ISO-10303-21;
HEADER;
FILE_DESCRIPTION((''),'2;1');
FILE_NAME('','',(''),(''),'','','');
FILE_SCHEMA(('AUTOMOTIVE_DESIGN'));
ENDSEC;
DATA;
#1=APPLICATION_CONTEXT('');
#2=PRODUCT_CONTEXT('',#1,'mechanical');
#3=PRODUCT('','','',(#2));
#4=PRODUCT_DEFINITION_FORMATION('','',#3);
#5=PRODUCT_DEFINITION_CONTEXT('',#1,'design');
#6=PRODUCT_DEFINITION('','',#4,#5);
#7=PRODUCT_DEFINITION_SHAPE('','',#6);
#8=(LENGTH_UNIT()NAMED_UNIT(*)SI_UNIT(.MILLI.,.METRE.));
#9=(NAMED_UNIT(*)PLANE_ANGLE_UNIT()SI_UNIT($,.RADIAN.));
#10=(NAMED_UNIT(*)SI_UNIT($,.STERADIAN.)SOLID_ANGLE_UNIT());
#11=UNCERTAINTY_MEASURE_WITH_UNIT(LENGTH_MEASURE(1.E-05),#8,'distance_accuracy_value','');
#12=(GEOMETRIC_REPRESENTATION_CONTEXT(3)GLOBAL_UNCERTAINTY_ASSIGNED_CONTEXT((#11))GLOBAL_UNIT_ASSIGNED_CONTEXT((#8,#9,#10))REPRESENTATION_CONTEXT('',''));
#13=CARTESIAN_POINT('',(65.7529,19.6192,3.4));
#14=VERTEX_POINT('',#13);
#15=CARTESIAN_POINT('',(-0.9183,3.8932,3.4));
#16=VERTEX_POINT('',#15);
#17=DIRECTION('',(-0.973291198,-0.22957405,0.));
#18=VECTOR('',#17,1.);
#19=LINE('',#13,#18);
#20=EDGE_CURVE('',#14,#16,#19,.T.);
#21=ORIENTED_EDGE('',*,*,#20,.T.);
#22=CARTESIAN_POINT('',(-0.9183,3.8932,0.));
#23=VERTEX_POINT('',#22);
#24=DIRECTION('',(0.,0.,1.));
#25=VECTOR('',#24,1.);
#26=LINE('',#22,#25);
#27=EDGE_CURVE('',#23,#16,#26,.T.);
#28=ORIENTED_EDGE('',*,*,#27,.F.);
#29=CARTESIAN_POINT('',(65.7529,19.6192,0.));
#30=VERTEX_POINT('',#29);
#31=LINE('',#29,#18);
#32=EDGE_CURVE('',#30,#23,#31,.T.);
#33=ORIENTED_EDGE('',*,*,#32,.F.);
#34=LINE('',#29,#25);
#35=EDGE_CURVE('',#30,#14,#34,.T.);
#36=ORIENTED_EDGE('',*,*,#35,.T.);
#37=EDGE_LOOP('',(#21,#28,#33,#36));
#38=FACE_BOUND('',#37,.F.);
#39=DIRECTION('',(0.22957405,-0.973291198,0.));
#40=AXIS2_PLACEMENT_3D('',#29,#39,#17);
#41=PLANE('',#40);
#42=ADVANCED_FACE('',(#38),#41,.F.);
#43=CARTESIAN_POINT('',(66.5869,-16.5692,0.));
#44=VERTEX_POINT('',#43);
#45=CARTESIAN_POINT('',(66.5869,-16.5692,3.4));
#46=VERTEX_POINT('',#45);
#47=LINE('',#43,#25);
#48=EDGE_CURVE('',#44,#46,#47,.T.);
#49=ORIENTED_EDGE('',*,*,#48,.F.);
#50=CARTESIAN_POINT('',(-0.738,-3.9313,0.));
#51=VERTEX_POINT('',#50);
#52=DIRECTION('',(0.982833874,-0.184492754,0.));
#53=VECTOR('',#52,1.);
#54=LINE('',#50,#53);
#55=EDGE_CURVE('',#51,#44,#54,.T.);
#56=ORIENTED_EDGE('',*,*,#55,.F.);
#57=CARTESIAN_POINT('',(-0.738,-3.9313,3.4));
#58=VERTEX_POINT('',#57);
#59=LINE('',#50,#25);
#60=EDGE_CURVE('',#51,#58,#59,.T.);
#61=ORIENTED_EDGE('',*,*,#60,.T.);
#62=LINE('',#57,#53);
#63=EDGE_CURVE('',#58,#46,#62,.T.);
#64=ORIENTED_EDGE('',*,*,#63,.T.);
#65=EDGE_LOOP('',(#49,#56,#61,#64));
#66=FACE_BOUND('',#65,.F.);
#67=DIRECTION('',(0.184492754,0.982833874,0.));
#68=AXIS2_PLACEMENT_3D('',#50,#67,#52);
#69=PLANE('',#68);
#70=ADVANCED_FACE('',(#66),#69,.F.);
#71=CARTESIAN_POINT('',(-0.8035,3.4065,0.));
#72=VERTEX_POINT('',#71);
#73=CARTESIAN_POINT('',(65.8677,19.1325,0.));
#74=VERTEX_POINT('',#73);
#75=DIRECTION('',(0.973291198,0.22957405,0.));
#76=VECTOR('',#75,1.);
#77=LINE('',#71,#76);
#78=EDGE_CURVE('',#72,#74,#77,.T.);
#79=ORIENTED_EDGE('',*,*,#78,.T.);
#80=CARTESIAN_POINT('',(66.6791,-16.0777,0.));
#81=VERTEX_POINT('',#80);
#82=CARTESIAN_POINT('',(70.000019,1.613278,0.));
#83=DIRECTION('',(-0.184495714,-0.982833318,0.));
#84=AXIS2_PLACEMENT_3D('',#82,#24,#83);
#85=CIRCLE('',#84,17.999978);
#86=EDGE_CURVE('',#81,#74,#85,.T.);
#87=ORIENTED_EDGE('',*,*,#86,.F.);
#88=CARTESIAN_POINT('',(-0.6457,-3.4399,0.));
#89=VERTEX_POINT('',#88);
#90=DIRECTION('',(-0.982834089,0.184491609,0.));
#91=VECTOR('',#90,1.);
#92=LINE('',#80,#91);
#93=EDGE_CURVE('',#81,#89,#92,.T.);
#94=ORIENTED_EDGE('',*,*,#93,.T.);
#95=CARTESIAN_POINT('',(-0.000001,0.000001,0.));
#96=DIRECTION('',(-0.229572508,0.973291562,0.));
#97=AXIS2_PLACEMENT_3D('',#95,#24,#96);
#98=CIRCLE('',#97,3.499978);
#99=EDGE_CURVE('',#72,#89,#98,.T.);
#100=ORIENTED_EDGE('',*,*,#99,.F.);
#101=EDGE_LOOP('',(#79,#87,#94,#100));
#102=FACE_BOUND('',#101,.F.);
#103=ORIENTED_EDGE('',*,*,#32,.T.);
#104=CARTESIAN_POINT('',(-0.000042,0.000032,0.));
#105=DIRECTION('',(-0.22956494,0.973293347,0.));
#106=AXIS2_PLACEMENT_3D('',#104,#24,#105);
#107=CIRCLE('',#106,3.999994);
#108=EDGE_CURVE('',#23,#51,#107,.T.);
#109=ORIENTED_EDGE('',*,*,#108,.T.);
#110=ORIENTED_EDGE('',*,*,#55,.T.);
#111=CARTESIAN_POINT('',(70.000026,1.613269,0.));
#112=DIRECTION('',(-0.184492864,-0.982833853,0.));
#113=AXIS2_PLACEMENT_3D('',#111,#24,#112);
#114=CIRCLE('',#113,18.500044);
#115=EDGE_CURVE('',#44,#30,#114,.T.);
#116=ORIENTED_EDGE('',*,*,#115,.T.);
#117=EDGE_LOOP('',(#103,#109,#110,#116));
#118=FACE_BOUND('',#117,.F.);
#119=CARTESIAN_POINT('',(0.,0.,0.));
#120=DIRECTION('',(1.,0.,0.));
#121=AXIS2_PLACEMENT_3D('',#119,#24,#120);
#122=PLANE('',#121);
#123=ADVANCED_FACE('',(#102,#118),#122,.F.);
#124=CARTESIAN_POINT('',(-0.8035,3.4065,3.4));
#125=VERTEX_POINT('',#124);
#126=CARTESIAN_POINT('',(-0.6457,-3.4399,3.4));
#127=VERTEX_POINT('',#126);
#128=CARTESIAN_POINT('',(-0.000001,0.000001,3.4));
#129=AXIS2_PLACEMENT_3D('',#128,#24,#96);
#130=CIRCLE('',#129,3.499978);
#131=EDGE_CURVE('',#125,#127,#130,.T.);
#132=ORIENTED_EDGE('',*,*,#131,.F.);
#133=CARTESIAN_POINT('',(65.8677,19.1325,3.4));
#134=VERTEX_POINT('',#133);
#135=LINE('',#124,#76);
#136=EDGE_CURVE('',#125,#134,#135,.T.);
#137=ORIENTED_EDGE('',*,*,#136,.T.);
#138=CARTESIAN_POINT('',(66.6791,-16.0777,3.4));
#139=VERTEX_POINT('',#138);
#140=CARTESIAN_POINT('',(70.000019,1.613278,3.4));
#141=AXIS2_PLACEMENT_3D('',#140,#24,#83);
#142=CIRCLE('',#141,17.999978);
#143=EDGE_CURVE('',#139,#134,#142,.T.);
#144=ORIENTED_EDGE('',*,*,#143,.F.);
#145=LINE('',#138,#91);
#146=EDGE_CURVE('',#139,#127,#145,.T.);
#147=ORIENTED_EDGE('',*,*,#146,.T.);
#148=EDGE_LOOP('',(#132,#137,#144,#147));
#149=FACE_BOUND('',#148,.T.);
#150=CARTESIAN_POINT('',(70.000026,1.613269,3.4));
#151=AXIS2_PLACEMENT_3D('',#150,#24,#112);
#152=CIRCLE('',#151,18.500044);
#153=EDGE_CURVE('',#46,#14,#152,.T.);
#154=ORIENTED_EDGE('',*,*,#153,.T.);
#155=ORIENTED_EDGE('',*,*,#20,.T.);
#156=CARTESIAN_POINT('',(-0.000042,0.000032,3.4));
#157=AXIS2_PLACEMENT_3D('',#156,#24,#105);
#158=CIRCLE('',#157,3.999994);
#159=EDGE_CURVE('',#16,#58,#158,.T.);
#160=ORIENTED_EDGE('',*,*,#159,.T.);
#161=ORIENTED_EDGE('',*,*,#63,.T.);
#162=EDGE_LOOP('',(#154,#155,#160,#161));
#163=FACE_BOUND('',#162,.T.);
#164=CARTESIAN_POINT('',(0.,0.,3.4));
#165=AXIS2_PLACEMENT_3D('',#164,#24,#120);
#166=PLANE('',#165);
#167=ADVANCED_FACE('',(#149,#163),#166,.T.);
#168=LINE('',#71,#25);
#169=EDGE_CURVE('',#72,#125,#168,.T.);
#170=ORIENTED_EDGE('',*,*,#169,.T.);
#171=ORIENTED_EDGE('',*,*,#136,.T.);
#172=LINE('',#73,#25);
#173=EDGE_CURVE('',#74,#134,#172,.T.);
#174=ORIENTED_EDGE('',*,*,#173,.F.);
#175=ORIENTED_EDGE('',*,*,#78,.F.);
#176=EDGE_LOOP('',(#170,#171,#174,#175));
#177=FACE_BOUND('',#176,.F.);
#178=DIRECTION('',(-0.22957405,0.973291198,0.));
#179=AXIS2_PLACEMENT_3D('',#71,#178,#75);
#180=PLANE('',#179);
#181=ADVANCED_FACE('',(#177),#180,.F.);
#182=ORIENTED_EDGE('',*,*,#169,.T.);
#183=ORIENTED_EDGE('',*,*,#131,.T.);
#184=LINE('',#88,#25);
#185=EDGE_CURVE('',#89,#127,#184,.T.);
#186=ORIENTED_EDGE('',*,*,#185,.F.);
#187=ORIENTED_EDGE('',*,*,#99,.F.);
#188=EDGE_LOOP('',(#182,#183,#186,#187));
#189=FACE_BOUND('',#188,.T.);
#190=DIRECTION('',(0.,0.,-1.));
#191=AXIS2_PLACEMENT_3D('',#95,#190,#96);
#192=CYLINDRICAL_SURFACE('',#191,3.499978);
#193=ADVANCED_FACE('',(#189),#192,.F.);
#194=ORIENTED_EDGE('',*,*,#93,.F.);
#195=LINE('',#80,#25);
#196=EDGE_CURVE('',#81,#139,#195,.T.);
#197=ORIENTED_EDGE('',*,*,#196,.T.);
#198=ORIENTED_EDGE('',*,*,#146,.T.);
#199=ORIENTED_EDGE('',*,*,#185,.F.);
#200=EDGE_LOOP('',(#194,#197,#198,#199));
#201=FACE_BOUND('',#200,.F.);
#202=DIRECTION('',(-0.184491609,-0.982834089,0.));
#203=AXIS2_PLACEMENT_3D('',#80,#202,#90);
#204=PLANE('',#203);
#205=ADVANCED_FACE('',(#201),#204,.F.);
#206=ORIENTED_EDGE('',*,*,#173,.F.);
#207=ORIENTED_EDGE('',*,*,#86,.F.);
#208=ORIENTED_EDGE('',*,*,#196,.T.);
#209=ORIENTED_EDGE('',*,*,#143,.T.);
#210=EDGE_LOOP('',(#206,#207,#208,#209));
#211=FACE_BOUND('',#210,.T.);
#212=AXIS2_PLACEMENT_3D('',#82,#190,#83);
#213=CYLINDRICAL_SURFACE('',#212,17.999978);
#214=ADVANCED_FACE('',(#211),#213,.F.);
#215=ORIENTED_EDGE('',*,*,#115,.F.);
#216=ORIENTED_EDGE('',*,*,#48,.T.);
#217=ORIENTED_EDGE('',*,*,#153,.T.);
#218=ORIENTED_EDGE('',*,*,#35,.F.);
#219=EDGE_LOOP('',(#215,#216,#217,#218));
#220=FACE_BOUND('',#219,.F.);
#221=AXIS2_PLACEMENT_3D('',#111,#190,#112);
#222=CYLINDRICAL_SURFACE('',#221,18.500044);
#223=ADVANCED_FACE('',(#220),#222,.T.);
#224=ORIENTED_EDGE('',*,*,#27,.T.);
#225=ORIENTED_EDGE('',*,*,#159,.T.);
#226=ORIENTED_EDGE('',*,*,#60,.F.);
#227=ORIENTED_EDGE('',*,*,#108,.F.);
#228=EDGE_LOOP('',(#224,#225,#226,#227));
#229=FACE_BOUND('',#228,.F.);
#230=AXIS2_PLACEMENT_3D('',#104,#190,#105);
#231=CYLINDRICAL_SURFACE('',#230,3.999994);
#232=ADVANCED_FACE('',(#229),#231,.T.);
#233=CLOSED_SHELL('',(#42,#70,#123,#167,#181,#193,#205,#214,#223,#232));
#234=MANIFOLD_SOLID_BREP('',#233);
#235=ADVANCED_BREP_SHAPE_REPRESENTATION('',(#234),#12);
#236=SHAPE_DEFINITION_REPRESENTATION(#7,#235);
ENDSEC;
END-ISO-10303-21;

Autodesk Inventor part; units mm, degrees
ref_plane "YZ Plane" through (0, 0, 0) normal (1, 0, 0) x (0, 1, 0)
ref_plane "XZ Plane" through (0, 0, 0) normal (0, 1, 0) x (-1, 0, 0)
ref_plane "XY Plane" through (0, 0, 0) normal (0, 0, 1) x (1, 0, 0)
sketch "Sketch1" plane through (0, 0, 0) normal (0, 0, 1) x (1, 0, 0)
  arc A0 (-0.8035, 3.4065) -> (-0.6457, -3.4399) centre (0, 0) ccw
  arc A1 (66.6791, -16.0777) -> (65.8677, 19.1325) centre (70, 1.6133) ccw
  line L0 (-0.8035, 3.4065) -> (65.8677, 19.1325)
  line L1 (66.6791, -16.0777) -> (-0.6457, -3.4399)
  line L2 (0, 0) -> (70, 1.6133) construction
  line L3 (65.7529, 19.6192) -> (-0.9183, 3.8932)
  arc A2 (-0.9183, 3.8932) -> (-0.738, -3.9313) centre (0, 0) ccw
  line L4 (-0.738, -3.9313) -> (66.5869, -16.5692)
  arc A3 (66.5869, -16.5692) -> (65.7529, 19.6192) centre (70, 1.6133) ccw
  circle A4 centre (0, 0) radius 3.5 construction
  circle A5 centre (70, 1.6133) radius 18 construction
  dimension "d0" = 0.5
extrude "Extrusion1" add sketch "Sketch1" along normal blind 3.4
properties part number "Rubberband"
